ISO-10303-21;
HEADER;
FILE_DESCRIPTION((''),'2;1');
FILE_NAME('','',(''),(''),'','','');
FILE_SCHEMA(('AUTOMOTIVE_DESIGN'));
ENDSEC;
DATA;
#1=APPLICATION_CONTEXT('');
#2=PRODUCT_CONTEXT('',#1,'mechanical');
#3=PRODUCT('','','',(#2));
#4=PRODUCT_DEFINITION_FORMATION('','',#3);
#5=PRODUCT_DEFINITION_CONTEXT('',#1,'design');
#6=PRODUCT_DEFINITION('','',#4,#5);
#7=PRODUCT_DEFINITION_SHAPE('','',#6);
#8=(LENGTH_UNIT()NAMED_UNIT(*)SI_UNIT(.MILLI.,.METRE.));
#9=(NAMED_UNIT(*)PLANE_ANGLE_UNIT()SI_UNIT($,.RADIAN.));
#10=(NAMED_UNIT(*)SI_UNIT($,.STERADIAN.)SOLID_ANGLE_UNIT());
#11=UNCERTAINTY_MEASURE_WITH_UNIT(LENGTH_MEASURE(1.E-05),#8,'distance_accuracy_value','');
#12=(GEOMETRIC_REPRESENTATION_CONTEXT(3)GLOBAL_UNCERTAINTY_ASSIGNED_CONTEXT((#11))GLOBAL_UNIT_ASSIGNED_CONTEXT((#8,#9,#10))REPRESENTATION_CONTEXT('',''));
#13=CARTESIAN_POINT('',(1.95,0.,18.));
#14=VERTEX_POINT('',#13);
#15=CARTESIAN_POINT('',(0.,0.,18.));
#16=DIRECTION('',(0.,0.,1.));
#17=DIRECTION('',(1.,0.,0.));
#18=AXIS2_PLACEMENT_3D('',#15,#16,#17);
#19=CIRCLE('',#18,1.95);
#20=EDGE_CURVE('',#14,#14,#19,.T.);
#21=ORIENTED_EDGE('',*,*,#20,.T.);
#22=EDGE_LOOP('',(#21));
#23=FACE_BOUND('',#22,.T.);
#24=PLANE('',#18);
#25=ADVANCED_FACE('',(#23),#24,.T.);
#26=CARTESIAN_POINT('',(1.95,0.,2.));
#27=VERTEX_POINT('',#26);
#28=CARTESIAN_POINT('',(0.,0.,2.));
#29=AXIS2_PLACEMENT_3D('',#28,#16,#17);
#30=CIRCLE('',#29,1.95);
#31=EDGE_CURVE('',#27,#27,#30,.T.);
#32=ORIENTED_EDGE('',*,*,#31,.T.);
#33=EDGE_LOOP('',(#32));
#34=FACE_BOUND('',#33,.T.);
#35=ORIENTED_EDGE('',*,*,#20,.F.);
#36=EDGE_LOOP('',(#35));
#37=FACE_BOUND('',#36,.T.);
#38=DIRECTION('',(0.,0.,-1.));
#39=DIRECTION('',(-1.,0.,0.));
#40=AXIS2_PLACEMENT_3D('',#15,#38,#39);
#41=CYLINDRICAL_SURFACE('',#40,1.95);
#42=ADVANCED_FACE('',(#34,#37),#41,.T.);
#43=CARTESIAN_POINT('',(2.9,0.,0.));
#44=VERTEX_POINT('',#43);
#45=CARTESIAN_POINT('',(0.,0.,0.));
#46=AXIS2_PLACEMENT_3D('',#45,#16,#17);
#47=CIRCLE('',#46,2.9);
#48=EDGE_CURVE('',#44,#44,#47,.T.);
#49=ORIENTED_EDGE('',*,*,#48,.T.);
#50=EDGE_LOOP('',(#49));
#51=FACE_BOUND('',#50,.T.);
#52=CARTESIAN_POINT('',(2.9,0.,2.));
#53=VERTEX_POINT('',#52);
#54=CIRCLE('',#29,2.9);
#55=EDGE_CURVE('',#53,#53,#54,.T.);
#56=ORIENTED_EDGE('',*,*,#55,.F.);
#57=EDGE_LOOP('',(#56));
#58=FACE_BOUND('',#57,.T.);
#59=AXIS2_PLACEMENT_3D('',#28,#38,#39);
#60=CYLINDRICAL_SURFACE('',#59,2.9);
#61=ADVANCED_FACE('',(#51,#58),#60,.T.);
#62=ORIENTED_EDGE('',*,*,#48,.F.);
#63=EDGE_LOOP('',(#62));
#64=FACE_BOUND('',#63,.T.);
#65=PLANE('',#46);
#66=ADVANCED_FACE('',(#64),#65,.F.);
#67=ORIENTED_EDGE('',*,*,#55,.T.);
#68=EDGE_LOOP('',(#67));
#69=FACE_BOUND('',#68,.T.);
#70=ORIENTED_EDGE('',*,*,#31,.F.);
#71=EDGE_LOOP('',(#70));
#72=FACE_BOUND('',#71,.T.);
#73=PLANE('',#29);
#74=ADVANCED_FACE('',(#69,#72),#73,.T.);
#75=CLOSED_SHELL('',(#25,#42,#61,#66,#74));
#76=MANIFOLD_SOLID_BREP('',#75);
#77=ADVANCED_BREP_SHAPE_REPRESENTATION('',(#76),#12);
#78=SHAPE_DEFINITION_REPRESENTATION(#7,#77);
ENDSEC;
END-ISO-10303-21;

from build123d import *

# Parameters (mm, degrees)
SKETCH1_R           = 2.9
BOSS_EXTRUDE1_DEPTH = 2
SKETCH2_R           = 1.95
BOSS_EXTRUDE2_DEPTH = 16


with BuildPart() as part:
    # Sketch1 → Boss-Extrude1 (new body)
    with BuildSketch(Plane.XY):
        Circle(SKETCH1_R)
    extrude(amount=BOSS_EXTRUDE1_DEPTH)

    # Sketch2 → Boss-Extrude2 (add)
    with BuildSketch(Plane.XY.offset(2)):
        Circle(SKETCH2_R)
    extrude(amount=BOSS_EXTRUDE2_DEPTH)


solid = part.part
